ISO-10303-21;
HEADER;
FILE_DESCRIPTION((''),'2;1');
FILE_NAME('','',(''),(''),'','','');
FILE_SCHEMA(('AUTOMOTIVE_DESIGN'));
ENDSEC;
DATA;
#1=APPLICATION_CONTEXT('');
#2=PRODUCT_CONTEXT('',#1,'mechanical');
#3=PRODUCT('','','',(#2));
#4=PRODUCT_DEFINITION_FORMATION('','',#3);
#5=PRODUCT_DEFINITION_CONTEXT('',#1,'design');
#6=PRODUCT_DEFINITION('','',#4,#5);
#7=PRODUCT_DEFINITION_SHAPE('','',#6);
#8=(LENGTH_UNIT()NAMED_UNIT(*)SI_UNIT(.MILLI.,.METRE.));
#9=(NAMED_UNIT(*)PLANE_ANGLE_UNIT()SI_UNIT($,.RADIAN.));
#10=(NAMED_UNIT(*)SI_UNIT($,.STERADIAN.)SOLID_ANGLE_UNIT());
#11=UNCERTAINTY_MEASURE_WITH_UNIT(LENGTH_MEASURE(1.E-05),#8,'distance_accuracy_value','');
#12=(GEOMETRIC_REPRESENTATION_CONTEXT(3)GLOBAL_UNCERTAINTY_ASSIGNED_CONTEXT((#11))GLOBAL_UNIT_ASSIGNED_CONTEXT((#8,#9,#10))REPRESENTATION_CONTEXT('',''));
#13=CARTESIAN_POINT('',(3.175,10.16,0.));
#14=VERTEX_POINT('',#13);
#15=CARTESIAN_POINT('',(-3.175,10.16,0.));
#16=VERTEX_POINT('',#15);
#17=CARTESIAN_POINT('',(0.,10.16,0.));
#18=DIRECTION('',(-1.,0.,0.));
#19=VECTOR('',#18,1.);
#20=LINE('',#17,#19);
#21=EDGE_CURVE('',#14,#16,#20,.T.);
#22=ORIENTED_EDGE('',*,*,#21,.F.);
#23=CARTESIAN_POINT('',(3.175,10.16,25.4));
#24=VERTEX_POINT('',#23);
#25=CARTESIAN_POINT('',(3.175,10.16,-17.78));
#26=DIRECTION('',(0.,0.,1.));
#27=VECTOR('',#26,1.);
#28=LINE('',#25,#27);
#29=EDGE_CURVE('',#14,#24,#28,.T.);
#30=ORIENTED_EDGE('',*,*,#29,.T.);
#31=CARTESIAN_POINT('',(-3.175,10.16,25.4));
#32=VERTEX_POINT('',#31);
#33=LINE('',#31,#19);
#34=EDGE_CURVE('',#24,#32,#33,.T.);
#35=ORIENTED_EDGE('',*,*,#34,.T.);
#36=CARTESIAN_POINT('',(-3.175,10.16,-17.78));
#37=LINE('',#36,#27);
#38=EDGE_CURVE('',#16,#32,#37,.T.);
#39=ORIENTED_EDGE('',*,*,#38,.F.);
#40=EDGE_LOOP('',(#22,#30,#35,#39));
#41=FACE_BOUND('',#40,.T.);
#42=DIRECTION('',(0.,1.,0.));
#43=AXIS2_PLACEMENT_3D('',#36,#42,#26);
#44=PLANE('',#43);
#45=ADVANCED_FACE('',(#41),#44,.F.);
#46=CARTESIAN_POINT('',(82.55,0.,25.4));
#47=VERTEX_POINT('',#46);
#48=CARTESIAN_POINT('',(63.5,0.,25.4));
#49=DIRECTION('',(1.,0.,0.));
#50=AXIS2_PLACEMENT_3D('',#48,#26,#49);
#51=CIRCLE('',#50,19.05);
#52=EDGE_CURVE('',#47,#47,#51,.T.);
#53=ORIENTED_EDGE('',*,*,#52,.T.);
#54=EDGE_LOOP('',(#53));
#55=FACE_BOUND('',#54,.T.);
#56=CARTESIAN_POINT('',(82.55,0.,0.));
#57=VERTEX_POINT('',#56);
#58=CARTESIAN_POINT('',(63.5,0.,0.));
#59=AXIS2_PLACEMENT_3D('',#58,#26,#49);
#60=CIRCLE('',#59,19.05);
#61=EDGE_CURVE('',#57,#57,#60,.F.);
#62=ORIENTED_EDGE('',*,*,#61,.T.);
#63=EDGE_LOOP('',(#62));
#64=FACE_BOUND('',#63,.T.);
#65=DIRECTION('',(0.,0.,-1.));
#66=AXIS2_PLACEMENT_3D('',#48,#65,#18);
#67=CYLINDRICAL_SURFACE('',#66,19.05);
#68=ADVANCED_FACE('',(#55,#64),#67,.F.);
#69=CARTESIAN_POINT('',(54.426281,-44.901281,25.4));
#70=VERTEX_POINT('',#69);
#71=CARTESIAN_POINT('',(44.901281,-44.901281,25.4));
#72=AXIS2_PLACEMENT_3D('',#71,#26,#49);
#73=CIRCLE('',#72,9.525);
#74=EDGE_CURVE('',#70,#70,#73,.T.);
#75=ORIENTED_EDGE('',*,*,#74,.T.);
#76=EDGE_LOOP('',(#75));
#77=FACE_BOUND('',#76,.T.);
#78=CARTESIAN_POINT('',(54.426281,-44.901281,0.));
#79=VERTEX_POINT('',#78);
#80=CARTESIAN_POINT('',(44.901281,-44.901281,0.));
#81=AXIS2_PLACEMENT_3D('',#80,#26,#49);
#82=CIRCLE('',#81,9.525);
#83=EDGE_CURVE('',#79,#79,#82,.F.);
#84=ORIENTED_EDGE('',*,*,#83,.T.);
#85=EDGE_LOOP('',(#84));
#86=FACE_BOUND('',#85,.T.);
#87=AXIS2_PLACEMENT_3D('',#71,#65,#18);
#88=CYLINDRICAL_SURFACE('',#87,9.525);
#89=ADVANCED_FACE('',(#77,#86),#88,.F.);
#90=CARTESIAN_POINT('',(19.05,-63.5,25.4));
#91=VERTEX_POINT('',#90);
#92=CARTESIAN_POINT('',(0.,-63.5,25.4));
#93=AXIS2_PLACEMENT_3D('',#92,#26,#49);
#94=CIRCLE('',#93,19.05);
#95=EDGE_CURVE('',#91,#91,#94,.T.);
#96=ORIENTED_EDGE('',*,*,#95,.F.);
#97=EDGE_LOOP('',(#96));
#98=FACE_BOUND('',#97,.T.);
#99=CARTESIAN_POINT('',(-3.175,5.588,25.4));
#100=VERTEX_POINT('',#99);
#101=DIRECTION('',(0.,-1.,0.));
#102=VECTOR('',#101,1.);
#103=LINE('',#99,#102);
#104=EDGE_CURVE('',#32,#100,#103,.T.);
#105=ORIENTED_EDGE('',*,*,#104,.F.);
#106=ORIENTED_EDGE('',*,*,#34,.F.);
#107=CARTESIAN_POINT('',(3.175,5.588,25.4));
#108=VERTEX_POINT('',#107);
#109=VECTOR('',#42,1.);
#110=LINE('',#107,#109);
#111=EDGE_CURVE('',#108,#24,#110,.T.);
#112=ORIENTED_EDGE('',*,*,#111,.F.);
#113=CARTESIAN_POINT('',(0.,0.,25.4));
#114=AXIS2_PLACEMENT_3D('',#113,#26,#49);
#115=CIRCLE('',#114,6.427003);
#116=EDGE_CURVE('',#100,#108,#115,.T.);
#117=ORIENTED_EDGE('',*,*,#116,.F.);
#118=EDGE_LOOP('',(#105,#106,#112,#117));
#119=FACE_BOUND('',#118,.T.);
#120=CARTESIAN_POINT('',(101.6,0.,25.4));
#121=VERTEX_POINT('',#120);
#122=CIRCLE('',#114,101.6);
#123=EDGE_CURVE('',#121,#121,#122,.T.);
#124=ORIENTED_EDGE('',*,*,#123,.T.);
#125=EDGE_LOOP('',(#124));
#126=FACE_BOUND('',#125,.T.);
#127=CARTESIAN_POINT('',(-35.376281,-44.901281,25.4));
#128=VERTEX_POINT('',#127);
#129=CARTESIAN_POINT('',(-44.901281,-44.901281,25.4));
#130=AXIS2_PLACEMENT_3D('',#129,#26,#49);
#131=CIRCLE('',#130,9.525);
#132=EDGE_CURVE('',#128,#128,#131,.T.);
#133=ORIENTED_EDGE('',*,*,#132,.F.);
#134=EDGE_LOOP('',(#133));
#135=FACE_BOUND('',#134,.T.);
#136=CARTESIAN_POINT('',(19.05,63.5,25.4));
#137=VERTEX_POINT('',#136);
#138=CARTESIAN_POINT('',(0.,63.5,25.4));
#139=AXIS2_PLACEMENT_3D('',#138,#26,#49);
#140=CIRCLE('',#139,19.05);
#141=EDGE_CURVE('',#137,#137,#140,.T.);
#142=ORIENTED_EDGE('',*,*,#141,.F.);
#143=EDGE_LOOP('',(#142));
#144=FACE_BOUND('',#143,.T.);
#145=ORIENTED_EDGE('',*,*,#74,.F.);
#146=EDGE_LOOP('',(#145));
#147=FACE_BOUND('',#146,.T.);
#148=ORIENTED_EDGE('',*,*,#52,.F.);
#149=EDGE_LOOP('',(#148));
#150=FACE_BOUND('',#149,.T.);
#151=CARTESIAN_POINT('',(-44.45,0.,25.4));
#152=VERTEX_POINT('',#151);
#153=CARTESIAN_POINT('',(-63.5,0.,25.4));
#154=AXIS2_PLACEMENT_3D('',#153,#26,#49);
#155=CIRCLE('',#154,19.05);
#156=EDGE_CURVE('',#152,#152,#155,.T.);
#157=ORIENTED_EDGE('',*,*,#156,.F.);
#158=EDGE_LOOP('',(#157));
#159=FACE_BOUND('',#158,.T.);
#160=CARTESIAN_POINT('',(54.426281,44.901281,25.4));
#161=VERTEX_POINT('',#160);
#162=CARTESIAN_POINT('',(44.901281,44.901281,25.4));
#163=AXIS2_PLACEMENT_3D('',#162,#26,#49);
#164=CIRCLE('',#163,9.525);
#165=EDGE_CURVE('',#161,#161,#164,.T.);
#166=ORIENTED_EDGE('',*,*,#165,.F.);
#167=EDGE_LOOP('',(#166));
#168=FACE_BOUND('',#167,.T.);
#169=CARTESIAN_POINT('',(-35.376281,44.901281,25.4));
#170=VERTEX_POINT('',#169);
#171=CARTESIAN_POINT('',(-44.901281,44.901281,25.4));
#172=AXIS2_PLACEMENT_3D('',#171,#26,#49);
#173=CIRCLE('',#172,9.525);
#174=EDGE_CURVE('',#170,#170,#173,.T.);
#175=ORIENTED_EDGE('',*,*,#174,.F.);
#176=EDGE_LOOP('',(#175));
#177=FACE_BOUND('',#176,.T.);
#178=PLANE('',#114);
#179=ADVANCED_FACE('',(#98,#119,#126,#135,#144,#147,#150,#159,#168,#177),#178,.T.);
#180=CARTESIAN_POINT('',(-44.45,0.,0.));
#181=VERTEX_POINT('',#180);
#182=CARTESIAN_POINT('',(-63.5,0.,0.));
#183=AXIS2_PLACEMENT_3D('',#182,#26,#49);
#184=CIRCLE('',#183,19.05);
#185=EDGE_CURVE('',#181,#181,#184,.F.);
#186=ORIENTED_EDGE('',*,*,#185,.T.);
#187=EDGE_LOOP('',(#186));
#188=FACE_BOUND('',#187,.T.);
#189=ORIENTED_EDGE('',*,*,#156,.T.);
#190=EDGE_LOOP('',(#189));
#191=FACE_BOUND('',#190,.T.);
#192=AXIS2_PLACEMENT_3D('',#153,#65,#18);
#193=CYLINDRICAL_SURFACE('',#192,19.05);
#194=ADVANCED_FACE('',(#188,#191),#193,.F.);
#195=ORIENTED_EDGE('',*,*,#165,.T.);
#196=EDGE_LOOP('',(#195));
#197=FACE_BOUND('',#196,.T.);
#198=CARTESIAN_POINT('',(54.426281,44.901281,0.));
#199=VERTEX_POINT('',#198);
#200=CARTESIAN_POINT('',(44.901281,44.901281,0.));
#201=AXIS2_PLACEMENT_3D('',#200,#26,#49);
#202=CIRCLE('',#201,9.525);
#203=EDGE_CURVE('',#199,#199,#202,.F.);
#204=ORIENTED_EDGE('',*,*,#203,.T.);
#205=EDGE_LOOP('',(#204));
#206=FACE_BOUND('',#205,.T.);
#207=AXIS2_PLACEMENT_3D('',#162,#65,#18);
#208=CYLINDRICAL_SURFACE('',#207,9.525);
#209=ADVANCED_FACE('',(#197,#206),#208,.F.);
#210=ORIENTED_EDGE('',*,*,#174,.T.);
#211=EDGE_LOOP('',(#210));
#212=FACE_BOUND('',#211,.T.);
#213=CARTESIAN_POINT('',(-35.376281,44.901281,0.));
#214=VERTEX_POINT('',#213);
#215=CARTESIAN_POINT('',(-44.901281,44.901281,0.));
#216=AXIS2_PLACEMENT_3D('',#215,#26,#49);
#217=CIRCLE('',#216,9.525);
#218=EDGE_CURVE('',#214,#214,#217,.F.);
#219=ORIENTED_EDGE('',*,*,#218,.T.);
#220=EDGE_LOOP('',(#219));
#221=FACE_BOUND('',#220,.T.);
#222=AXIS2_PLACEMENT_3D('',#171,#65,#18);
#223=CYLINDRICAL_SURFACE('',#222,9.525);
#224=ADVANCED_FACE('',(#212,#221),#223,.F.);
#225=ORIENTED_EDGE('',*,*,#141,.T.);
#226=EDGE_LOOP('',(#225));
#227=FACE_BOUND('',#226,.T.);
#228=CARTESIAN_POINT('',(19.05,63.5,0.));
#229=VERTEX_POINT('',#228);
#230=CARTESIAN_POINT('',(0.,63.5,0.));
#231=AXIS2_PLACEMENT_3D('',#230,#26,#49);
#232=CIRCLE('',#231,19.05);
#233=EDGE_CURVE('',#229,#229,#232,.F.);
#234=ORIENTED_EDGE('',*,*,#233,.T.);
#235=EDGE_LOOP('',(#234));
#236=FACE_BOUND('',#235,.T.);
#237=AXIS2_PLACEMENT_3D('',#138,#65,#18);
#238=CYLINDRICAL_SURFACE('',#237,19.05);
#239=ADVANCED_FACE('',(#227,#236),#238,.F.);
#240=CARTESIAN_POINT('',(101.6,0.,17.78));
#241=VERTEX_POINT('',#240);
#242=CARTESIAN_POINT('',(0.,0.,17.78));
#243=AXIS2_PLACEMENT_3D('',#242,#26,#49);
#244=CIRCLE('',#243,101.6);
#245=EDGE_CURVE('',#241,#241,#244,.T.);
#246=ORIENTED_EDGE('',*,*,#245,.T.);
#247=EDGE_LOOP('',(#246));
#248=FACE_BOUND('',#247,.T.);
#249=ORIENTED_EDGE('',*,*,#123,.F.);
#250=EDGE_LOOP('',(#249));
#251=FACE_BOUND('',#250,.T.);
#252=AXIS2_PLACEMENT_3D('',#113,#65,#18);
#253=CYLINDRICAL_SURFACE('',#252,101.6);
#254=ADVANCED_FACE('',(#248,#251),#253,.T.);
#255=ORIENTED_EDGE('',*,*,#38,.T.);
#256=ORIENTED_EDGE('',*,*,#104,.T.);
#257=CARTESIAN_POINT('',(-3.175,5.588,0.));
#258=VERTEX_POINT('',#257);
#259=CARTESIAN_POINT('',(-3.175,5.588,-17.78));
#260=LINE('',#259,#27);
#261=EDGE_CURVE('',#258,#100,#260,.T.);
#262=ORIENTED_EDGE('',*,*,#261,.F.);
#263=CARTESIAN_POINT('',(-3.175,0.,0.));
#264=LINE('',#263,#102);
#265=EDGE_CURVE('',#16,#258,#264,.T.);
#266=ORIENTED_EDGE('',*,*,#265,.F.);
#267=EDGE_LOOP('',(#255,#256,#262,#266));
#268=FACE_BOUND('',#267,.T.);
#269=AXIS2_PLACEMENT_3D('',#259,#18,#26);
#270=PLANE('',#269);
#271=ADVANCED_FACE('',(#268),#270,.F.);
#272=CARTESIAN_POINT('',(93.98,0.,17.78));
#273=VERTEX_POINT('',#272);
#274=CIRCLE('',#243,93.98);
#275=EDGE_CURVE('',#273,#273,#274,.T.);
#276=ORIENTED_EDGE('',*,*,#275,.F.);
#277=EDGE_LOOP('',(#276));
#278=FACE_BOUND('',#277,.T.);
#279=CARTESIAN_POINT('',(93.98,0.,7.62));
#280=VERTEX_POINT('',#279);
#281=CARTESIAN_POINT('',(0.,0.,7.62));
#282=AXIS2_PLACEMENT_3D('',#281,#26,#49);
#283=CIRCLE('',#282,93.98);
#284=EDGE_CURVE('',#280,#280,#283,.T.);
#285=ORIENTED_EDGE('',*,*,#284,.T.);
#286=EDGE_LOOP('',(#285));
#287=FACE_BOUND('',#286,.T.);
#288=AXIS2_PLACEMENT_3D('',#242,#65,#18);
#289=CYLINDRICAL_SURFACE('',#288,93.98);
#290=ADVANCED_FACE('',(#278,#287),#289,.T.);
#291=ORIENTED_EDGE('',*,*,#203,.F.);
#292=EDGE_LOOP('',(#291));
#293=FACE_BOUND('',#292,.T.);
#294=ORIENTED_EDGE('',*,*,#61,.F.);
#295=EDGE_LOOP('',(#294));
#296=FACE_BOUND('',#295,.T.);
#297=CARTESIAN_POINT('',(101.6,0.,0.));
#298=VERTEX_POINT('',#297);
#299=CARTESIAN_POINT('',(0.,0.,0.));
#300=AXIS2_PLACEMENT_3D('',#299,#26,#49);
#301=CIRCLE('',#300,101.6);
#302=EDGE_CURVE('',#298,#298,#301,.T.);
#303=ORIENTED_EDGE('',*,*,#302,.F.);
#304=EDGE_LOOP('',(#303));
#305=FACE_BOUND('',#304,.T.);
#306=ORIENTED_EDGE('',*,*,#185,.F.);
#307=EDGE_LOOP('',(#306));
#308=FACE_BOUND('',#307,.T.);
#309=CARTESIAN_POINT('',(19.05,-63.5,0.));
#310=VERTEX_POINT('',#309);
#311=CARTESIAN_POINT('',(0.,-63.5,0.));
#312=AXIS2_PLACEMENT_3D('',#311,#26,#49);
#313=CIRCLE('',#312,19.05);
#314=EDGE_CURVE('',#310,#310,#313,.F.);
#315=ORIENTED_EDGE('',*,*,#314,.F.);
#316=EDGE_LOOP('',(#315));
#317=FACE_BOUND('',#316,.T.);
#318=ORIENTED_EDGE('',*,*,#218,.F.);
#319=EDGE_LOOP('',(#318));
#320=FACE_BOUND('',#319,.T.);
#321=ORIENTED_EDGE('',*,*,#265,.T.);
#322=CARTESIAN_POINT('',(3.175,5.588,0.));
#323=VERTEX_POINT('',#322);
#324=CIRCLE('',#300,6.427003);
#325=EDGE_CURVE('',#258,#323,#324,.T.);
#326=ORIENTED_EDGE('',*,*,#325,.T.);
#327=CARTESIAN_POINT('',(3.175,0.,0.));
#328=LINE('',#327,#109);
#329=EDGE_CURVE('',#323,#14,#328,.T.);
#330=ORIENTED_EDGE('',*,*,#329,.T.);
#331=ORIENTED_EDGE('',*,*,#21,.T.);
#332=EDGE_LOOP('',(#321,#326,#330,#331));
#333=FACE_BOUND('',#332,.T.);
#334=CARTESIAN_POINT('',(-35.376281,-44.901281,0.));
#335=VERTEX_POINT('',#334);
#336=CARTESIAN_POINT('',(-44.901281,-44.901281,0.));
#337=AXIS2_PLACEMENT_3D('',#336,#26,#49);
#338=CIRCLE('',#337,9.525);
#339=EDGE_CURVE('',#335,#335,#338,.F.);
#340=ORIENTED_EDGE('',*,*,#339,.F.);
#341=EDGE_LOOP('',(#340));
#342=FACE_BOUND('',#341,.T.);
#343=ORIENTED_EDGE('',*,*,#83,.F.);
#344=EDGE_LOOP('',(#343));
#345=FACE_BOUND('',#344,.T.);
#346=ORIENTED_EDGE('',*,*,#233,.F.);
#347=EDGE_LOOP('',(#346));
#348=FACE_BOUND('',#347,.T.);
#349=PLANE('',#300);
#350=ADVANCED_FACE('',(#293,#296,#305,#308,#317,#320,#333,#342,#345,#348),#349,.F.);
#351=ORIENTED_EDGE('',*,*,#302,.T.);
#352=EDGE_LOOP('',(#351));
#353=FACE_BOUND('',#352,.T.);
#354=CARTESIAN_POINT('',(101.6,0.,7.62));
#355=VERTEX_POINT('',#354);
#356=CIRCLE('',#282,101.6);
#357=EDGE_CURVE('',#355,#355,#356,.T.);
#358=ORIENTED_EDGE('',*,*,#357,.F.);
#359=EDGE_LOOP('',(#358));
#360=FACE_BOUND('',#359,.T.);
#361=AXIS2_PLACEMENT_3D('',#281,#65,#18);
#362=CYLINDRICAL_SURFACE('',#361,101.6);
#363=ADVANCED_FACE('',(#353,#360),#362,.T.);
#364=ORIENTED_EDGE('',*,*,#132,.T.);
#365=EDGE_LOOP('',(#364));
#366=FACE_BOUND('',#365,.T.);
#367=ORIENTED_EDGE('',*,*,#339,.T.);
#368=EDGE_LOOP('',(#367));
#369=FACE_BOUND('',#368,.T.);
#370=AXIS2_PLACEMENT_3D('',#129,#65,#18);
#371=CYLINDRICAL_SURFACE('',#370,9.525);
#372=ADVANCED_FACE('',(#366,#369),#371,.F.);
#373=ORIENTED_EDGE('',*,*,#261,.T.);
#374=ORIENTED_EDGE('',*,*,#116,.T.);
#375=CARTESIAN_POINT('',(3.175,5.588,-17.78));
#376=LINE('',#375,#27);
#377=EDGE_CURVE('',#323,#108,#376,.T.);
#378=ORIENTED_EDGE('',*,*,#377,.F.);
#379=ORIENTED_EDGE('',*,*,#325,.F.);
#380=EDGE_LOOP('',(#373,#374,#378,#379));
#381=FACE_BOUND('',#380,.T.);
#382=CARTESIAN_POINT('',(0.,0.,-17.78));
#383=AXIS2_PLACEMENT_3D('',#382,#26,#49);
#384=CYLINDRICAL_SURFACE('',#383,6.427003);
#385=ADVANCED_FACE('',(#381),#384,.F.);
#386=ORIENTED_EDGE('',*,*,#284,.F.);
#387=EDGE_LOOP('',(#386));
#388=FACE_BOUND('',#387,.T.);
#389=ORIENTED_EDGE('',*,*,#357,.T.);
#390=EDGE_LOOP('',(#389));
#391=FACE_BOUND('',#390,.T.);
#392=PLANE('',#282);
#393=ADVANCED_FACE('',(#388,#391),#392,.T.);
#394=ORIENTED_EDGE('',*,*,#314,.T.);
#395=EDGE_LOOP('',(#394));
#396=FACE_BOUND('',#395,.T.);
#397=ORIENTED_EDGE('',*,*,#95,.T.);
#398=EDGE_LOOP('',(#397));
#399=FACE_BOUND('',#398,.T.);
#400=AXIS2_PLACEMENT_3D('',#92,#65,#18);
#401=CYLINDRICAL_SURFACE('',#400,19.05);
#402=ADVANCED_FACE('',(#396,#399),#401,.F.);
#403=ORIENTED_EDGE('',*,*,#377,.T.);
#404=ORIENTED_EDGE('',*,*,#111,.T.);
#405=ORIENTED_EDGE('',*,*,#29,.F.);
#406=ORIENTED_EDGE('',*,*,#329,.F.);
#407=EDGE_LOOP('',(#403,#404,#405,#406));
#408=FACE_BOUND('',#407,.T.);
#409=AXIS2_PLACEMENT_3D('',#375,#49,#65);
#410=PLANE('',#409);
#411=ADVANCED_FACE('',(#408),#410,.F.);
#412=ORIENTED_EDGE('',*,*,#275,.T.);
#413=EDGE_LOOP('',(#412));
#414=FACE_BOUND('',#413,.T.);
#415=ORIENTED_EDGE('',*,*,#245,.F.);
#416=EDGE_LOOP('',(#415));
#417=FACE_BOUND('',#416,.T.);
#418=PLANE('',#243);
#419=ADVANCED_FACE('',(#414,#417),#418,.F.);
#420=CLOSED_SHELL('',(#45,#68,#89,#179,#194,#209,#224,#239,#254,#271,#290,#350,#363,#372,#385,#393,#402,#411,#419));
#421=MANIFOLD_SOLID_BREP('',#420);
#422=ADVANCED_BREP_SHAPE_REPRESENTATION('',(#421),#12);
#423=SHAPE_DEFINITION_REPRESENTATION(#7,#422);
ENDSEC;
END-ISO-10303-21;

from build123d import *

# Parameters (mm, degrees)
SKETCH1_R               = 101.6
BOSS_EXTRUDE1_DEPTH     = 7.62
SKETCH4_R               = 93.98
BOSS_EXTRUDE2_DEPTH     = 10.16
SKETCH5_R               = 101.6
BOSS_EXTRUDE3_DEPTH     = 7.62
CUT_EXTRUDE1_DEPTH      = 145.78
CUT_EXTRUDE1_DEPTH_BACK = 25.4
SKETCH2_R               = 19.05
SKETCH2_R_2             = 9.525
CUT_EXTRUDE2_DEPTH      = 25.4
CUT_EXTRUDE3_DEPTH      = 145.78
CUT_EXTRUDE3_DEPTH_BACK = 145.78


with BuildPart() as part:
    # Sketch1 → Boss-Extrude1 (new body)
    with BuildSketch(Plane.XY):
        Circle(SKETCH1_R)
    extrude(amount=BOSS_EXTRUDE1_DEPTH)

    # Sketch4 → Boss-Extrude2 (add)
    with BuildSketch(Plane.XY.offset(7.62)):
        Circle(SKETCH4_R)
    extrude(amount=BOSS_EXTRUDE2_DEPTH)

    # Sketch5 → Boss-Extrude3 (add)
    with BuildSketch(Plane.XY.offset(17.78)):
        Circle(SKETCH5_R)
    extrude(amount=BOSS_EXTRUDE3_DEPTH)

    # Sketch2 → Cut-Extrude1 (cut, two sides: drawn at the far end of the back side and taken through both)
    with BuildSketch(Plane.XY.offset(7.62).offset(-CUT_EXTRUDE1_DEPTH_BACK)):
        with Locations((-63.5, 0)):
            Circle(SKETCH2_R)
        with Locations((-44.901280605, 44.901280605)):
            Circle(SKETCH2_R_2)
        with Locations((0, 63.5)):
            Circle(SKETCH2_R)
        with Locations((44.901280605, 44.901280605)):
            Circle(SKETCH2_R_2)
        with Locations((63.5, 0)):
            Circle(SKETCH2_R)
        with Locations((44.901280605, -44.901280605)):
            Circle(SKETCH2_R_2)
        with Locations((0, -63.5)):
            Circle(SKETCH2_R)
        with Locations((-44.901280605, -44.901280605)):
            Circle(SKETCH2_R_2)
    extrude(amount=CUT_EXTRUDE1_DEPTH + CUT_EXTRUDE1_DEPTH_BACK, mode=Mode.SUBTRACT)

    # Sketch3 → Cut-Extrude2 (cut)
    with BuildSketch(Plane.XY.offset(7.62)):
        with BuildLine():
            Line((-3.175, 5.588), (-3.175, 10.16))
            Line((-3.175, 10.16), (3.175, 10.16))
            Line((3.175, 10.16), (3.175, 5.588))
            ThreePointArc((3.175, 5.588), (0, -6.427003112), (-3.175, 5.588))
        make_face()
    extrude(amount=-CUT_EXTRUDE2_DEPTH, mode=Mode.SUBTRACT)

    # Sketch3<2> → Cut-Extrude3 (cut, two sides: drawn at the far end of the back side and taken through both)
    with BuildSketch(Plane.XY.offset(7.62).offset(-CUT_EXTRUDE3_DEPTH_BACK)):
        with BuildLine():
            Line((-3.175, 5.588), (-3.175, 10.16))
            Line((-3.175, 10.16), (3.175, 10.16))
            Line((3.175, 10.16), (3.175, 5.588))
            ThreePointArc((3.175, 5.588), (0, -6.427003112), (-3.175, 5.588))
        make_face()
    extrude(amount=CUT_EXTRUDE3_DEPTH + CUT_EXTRUDE3_DEPTH_BACK, mode=Mode.SUBTRACT)


solid = part.part
